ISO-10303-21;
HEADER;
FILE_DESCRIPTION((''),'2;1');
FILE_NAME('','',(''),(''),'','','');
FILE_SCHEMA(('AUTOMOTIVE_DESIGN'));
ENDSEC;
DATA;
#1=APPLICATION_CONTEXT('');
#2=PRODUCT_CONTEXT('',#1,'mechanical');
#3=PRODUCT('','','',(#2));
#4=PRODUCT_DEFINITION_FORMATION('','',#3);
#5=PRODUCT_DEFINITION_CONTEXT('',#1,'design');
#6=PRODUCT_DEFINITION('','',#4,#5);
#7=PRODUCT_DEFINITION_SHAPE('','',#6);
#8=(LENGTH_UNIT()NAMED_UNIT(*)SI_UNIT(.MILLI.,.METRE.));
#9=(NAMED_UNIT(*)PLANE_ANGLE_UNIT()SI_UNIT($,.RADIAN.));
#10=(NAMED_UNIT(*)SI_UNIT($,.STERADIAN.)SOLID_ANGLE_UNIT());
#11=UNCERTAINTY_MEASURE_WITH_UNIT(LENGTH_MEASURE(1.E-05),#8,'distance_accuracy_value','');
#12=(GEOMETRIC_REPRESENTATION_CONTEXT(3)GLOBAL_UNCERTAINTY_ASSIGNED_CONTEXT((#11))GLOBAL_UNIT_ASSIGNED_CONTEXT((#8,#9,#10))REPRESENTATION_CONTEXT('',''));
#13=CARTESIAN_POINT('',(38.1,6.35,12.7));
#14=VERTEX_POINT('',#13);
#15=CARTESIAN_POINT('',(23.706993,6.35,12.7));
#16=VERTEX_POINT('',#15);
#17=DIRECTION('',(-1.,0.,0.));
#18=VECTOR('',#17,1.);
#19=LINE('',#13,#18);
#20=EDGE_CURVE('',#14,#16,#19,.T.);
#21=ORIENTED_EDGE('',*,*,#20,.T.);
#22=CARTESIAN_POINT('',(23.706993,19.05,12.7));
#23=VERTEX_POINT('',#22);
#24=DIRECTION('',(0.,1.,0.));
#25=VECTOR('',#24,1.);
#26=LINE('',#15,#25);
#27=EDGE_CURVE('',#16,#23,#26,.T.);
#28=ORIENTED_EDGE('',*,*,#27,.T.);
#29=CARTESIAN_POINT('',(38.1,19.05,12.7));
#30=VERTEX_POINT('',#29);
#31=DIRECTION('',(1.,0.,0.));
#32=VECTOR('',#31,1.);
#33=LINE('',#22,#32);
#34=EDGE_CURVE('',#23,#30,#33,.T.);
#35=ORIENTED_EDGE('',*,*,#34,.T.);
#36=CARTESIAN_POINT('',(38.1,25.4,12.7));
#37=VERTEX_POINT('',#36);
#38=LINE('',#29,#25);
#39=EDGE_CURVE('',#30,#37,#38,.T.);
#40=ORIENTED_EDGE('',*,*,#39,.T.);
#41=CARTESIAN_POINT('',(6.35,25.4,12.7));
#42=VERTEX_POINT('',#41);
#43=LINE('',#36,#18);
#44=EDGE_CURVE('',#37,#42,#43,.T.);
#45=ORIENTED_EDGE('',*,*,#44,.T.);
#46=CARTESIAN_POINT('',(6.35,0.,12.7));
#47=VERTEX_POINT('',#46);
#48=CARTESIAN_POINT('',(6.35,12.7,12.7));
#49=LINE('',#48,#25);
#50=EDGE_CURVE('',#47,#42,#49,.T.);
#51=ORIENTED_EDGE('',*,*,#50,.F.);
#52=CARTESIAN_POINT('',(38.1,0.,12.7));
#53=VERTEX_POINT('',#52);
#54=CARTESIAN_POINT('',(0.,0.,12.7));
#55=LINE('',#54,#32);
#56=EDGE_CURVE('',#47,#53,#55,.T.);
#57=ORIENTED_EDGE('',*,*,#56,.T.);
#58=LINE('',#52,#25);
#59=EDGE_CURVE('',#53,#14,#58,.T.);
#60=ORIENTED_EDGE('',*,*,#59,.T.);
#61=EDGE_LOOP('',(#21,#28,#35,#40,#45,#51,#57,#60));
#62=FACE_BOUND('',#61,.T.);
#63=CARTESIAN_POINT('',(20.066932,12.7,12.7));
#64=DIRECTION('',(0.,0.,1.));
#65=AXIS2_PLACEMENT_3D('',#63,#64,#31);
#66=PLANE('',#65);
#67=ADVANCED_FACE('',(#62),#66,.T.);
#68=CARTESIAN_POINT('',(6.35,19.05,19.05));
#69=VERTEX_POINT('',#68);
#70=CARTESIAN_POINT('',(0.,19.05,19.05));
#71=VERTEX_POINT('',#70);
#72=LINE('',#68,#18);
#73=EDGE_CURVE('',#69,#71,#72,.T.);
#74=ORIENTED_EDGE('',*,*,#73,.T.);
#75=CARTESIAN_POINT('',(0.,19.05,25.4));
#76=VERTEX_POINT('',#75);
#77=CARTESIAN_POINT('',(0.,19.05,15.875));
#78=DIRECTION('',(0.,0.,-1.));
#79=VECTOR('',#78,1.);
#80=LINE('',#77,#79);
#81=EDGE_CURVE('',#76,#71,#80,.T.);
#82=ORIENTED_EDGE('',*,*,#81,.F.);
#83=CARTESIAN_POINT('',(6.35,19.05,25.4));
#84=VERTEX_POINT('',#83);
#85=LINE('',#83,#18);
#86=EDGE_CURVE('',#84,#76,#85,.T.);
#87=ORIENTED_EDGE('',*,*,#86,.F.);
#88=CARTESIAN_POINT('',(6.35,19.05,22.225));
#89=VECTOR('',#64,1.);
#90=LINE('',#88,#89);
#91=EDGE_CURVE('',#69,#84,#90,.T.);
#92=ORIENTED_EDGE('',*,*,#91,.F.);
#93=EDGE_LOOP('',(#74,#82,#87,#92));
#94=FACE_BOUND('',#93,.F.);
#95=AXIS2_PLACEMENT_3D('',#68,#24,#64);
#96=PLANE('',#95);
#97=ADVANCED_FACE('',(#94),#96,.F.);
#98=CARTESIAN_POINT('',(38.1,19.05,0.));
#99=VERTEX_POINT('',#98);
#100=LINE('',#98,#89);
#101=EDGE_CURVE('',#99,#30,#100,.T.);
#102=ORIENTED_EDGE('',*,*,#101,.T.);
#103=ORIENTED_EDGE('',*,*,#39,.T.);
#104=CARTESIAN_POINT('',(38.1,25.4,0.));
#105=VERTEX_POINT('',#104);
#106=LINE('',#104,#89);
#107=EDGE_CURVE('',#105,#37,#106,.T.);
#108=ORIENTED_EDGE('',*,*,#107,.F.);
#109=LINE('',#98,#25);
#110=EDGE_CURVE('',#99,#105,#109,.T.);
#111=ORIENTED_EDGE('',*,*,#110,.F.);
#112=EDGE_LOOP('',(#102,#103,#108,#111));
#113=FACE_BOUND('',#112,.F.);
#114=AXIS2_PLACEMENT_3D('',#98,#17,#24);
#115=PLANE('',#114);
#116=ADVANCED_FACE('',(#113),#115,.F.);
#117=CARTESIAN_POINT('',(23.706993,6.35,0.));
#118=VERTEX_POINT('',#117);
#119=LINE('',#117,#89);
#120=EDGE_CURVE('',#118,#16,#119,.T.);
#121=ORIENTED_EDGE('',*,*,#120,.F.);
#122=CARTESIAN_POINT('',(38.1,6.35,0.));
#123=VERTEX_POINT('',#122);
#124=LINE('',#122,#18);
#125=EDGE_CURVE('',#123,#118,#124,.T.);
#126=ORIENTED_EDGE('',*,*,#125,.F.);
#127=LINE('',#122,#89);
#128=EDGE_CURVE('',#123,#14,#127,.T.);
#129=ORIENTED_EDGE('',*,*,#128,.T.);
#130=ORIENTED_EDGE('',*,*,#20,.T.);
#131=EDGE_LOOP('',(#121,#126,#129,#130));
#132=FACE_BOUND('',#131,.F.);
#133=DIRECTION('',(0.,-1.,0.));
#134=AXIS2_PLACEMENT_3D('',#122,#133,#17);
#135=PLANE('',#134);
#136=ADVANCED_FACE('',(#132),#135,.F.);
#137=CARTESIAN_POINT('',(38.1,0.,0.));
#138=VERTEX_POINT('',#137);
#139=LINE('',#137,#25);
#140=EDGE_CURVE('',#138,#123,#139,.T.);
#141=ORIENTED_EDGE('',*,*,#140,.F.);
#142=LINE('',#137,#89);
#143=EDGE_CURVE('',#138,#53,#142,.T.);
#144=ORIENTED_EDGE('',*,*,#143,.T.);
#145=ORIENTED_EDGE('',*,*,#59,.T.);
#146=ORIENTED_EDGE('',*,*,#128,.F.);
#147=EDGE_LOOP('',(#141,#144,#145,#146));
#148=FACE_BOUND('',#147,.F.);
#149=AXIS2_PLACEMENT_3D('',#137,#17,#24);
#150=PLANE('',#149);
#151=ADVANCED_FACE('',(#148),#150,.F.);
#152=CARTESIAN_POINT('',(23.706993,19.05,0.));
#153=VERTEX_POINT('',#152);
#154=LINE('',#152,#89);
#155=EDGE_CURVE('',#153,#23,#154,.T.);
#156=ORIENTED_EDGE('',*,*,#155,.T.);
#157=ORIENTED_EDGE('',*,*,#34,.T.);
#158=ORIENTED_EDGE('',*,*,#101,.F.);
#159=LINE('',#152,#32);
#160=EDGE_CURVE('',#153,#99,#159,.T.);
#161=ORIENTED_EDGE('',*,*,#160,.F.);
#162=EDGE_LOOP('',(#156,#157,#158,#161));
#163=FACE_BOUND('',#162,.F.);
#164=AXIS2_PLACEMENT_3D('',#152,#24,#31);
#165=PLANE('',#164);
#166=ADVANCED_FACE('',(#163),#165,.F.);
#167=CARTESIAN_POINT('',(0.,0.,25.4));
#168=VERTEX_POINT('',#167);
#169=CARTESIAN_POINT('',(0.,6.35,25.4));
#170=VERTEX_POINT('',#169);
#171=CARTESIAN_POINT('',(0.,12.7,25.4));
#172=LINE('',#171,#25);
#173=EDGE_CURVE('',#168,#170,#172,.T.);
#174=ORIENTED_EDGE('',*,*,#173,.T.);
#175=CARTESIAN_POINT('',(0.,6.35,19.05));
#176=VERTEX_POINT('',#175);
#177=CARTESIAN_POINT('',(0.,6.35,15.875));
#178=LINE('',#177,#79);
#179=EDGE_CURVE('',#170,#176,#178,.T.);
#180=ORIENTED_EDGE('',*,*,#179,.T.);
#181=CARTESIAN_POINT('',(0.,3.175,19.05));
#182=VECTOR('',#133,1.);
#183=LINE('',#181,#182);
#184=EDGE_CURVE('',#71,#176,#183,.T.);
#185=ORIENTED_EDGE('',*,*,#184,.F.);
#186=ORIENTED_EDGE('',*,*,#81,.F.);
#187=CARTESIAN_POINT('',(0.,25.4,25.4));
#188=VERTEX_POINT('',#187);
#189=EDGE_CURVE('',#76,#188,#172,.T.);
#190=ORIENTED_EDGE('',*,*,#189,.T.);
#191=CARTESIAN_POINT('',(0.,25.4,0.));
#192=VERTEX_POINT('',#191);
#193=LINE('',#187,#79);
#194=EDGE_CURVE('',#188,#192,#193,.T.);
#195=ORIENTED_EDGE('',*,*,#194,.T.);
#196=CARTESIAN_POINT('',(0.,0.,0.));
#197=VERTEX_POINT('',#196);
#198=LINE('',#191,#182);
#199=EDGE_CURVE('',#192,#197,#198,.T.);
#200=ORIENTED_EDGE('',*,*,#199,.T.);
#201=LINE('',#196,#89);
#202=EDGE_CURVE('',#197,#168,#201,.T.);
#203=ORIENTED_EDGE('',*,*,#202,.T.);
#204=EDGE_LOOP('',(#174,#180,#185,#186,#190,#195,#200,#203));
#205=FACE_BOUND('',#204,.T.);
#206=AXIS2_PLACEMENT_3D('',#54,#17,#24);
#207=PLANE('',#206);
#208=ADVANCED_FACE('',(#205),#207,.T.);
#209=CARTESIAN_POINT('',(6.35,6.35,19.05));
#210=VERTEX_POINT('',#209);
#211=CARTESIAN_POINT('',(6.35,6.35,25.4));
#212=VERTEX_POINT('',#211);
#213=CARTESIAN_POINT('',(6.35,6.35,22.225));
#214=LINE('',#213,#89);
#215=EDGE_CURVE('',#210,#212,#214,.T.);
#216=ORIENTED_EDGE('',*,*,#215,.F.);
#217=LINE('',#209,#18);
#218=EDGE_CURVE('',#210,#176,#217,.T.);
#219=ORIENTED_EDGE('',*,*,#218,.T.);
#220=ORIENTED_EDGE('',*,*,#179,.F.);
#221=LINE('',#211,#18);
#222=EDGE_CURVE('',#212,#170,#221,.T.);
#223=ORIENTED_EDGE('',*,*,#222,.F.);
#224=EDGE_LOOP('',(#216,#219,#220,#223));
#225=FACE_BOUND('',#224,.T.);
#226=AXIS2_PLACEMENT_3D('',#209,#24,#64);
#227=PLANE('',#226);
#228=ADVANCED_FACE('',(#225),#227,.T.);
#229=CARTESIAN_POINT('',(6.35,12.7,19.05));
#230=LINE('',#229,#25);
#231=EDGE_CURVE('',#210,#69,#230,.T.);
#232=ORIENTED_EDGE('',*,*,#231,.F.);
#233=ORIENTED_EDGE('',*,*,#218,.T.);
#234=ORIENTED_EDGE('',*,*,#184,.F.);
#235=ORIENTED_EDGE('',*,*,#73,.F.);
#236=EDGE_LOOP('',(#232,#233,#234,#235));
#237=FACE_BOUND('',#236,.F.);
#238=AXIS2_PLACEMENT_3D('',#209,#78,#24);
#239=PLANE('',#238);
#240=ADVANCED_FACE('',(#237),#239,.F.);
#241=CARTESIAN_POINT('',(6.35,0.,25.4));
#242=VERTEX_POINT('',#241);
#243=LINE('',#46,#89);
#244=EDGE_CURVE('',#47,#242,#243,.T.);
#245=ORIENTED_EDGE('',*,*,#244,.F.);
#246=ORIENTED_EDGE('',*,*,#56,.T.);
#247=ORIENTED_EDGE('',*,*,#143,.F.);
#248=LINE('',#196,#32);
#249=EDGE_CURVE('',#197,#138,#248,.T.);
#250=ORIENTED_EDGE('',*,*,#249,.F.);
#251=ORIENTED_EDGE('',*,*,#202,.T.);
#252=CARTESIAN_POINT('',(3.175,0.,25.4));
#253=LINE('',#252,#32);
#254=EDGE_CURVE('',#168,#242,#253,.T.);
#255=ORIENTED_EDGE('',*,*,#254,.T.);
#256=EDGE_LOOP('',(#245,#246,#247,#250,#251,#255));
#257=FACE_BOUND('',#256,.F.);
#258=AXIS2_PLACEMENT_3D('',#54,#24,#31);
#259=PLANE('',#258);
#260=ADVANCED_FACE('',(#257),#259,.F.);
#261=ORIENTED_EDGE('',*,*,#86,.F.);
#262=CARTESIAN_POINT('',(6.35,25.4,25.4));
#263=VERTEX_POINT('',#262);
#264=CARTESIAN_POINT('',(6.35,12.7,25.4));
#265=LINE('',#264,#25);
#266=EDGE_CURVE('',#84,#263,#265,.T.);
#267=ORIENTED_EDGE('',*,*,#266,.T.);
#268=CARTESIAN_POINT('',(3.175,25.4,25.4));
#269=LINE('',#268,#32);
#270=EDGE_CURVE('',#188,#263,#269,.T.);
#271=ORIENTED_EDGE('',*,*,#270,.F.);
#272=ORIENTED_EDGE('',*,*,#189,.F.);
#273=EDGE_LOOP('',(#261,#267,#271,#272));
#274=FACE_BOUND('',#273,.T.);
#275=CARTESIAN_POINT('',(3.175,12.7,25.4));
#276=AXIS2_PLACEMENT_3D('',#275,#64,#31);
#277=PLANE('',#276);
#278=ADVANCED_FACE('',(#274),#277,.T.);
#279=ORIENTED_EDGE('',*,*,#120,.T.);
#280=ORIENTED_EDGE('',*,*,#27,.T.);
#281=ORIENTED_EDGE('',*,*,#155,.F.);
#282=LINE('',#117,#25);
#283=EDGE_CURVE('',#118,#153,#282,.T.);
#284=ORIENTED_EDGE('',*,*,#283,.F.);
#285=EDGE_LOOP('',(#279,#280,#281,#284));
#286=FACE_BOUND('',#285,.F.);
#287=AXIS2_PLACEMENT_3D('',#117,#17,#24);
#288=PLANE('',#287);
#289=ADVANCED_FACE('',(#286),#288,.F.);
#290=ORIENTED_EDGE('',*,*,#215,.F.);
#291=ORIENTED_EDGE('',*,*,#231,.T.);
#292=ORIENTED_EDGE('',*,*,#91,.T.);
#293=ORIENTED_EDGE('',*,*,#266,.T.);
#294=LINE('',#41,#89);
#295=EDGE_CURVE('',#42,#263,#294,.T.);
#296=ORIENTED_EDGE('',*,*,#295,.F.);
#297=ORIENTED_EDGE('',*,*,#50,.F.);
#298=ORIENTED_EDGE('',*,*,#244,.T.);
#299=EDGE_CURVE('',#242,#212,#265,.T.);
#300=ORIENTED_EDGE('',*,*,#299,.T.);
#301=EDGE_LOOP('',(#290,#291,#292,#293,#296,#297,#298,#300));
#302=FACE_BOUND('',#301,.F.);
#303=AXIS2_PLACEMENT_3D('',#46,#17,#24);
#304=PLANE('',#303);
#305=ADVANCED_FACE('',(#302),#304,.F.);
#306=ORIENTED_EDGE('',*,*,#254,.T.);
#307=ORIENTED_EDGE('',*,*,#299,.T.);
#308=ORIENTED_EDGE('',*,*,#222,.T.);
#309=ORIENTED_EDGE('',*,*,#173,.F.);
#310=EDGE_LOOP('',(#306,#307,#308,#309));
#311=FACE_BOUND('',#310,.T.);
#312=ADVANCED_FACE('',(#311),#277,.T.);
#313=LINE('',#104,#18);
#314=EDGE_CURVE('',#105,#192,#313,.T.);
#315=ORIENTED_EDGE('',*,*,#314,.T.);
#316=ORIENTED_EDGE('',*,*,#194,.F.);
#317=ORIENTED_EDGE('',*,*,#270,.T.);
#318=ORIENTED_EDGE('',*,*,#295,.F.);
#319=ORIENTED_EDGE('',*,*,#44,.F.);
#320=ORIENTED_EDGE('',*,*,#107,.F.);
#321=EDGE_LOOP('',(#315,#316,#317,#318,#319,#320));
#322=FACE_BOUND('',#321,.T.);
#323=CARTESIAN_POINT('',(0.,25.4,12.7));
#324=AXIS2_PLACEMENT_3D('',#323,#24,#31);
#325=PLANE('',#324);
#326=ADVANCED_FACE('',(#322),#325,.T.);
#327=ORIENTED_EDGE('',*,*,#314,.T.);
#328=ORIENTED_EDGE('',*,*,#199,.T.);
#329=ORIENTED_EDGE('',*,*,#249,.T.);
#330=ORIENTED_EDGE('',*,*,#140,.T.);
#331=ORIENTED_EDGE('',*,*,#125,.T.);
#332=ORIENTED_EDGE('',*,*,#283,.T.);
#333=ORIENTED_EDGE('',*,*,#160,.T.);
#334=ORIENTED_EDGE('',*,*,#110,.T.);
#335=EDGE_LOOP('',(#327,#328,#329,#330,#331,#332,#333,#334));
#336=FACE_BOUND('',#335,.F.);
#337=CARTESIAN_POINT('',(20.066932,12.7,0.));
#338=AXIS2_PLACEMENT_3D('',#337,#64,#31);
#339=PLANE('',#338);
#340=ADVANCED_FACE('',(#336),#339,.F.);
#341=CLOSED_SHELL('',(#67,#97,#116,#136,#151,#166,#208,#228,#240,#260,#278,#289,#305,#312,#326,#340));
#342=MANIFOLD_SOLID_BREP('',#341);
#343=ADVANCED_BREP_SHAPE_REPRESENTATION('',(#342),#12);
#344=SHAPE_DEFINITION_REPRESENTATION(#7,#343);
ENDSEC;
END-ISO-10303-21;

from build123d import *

# Parameters (mm, degrees)
F1_DEPTH = 12.7
F2_W     = 6.35
F2_H     = 25.4
F3_DEPTH = 12.7
F4_W     = 12.7
F4_H     = 6.35
F5_DEPTH = 25.4


with BuildPart() as f1:
    # F0 (on Top) → F1 (new body)
    with BuildSketch(Plane.XY):
        Polygon((0, 25.4), (0, 0), (38.1, 0), (38.1, 6.35), (23.706993, 6.35), (23.706993, 19.05), (38.1, 19.05), (38.1, 25.4), align=None)
    extrude(amount=F1_DEPTH)

    # F2 (on face) → F3 (join)
    with BuildSketch(Plane.XY.offset(12.7)):
        with Locations((3.175, 12.7)):
            Rectangle(F2_W, F2_H)
    extrude(amount=F3_DEPTH)

    # F4 (on face) → F5 (cut)
    with BuildSketch(Plane.YZ.offset(6.35)):
        with Locations((12.7, 22.225)):
            Rectangle(F4_W, F4_H)
    extrude(amount=-F5_DEPTH, mode=Mode.SUBTRACT)


solid = f1.part
